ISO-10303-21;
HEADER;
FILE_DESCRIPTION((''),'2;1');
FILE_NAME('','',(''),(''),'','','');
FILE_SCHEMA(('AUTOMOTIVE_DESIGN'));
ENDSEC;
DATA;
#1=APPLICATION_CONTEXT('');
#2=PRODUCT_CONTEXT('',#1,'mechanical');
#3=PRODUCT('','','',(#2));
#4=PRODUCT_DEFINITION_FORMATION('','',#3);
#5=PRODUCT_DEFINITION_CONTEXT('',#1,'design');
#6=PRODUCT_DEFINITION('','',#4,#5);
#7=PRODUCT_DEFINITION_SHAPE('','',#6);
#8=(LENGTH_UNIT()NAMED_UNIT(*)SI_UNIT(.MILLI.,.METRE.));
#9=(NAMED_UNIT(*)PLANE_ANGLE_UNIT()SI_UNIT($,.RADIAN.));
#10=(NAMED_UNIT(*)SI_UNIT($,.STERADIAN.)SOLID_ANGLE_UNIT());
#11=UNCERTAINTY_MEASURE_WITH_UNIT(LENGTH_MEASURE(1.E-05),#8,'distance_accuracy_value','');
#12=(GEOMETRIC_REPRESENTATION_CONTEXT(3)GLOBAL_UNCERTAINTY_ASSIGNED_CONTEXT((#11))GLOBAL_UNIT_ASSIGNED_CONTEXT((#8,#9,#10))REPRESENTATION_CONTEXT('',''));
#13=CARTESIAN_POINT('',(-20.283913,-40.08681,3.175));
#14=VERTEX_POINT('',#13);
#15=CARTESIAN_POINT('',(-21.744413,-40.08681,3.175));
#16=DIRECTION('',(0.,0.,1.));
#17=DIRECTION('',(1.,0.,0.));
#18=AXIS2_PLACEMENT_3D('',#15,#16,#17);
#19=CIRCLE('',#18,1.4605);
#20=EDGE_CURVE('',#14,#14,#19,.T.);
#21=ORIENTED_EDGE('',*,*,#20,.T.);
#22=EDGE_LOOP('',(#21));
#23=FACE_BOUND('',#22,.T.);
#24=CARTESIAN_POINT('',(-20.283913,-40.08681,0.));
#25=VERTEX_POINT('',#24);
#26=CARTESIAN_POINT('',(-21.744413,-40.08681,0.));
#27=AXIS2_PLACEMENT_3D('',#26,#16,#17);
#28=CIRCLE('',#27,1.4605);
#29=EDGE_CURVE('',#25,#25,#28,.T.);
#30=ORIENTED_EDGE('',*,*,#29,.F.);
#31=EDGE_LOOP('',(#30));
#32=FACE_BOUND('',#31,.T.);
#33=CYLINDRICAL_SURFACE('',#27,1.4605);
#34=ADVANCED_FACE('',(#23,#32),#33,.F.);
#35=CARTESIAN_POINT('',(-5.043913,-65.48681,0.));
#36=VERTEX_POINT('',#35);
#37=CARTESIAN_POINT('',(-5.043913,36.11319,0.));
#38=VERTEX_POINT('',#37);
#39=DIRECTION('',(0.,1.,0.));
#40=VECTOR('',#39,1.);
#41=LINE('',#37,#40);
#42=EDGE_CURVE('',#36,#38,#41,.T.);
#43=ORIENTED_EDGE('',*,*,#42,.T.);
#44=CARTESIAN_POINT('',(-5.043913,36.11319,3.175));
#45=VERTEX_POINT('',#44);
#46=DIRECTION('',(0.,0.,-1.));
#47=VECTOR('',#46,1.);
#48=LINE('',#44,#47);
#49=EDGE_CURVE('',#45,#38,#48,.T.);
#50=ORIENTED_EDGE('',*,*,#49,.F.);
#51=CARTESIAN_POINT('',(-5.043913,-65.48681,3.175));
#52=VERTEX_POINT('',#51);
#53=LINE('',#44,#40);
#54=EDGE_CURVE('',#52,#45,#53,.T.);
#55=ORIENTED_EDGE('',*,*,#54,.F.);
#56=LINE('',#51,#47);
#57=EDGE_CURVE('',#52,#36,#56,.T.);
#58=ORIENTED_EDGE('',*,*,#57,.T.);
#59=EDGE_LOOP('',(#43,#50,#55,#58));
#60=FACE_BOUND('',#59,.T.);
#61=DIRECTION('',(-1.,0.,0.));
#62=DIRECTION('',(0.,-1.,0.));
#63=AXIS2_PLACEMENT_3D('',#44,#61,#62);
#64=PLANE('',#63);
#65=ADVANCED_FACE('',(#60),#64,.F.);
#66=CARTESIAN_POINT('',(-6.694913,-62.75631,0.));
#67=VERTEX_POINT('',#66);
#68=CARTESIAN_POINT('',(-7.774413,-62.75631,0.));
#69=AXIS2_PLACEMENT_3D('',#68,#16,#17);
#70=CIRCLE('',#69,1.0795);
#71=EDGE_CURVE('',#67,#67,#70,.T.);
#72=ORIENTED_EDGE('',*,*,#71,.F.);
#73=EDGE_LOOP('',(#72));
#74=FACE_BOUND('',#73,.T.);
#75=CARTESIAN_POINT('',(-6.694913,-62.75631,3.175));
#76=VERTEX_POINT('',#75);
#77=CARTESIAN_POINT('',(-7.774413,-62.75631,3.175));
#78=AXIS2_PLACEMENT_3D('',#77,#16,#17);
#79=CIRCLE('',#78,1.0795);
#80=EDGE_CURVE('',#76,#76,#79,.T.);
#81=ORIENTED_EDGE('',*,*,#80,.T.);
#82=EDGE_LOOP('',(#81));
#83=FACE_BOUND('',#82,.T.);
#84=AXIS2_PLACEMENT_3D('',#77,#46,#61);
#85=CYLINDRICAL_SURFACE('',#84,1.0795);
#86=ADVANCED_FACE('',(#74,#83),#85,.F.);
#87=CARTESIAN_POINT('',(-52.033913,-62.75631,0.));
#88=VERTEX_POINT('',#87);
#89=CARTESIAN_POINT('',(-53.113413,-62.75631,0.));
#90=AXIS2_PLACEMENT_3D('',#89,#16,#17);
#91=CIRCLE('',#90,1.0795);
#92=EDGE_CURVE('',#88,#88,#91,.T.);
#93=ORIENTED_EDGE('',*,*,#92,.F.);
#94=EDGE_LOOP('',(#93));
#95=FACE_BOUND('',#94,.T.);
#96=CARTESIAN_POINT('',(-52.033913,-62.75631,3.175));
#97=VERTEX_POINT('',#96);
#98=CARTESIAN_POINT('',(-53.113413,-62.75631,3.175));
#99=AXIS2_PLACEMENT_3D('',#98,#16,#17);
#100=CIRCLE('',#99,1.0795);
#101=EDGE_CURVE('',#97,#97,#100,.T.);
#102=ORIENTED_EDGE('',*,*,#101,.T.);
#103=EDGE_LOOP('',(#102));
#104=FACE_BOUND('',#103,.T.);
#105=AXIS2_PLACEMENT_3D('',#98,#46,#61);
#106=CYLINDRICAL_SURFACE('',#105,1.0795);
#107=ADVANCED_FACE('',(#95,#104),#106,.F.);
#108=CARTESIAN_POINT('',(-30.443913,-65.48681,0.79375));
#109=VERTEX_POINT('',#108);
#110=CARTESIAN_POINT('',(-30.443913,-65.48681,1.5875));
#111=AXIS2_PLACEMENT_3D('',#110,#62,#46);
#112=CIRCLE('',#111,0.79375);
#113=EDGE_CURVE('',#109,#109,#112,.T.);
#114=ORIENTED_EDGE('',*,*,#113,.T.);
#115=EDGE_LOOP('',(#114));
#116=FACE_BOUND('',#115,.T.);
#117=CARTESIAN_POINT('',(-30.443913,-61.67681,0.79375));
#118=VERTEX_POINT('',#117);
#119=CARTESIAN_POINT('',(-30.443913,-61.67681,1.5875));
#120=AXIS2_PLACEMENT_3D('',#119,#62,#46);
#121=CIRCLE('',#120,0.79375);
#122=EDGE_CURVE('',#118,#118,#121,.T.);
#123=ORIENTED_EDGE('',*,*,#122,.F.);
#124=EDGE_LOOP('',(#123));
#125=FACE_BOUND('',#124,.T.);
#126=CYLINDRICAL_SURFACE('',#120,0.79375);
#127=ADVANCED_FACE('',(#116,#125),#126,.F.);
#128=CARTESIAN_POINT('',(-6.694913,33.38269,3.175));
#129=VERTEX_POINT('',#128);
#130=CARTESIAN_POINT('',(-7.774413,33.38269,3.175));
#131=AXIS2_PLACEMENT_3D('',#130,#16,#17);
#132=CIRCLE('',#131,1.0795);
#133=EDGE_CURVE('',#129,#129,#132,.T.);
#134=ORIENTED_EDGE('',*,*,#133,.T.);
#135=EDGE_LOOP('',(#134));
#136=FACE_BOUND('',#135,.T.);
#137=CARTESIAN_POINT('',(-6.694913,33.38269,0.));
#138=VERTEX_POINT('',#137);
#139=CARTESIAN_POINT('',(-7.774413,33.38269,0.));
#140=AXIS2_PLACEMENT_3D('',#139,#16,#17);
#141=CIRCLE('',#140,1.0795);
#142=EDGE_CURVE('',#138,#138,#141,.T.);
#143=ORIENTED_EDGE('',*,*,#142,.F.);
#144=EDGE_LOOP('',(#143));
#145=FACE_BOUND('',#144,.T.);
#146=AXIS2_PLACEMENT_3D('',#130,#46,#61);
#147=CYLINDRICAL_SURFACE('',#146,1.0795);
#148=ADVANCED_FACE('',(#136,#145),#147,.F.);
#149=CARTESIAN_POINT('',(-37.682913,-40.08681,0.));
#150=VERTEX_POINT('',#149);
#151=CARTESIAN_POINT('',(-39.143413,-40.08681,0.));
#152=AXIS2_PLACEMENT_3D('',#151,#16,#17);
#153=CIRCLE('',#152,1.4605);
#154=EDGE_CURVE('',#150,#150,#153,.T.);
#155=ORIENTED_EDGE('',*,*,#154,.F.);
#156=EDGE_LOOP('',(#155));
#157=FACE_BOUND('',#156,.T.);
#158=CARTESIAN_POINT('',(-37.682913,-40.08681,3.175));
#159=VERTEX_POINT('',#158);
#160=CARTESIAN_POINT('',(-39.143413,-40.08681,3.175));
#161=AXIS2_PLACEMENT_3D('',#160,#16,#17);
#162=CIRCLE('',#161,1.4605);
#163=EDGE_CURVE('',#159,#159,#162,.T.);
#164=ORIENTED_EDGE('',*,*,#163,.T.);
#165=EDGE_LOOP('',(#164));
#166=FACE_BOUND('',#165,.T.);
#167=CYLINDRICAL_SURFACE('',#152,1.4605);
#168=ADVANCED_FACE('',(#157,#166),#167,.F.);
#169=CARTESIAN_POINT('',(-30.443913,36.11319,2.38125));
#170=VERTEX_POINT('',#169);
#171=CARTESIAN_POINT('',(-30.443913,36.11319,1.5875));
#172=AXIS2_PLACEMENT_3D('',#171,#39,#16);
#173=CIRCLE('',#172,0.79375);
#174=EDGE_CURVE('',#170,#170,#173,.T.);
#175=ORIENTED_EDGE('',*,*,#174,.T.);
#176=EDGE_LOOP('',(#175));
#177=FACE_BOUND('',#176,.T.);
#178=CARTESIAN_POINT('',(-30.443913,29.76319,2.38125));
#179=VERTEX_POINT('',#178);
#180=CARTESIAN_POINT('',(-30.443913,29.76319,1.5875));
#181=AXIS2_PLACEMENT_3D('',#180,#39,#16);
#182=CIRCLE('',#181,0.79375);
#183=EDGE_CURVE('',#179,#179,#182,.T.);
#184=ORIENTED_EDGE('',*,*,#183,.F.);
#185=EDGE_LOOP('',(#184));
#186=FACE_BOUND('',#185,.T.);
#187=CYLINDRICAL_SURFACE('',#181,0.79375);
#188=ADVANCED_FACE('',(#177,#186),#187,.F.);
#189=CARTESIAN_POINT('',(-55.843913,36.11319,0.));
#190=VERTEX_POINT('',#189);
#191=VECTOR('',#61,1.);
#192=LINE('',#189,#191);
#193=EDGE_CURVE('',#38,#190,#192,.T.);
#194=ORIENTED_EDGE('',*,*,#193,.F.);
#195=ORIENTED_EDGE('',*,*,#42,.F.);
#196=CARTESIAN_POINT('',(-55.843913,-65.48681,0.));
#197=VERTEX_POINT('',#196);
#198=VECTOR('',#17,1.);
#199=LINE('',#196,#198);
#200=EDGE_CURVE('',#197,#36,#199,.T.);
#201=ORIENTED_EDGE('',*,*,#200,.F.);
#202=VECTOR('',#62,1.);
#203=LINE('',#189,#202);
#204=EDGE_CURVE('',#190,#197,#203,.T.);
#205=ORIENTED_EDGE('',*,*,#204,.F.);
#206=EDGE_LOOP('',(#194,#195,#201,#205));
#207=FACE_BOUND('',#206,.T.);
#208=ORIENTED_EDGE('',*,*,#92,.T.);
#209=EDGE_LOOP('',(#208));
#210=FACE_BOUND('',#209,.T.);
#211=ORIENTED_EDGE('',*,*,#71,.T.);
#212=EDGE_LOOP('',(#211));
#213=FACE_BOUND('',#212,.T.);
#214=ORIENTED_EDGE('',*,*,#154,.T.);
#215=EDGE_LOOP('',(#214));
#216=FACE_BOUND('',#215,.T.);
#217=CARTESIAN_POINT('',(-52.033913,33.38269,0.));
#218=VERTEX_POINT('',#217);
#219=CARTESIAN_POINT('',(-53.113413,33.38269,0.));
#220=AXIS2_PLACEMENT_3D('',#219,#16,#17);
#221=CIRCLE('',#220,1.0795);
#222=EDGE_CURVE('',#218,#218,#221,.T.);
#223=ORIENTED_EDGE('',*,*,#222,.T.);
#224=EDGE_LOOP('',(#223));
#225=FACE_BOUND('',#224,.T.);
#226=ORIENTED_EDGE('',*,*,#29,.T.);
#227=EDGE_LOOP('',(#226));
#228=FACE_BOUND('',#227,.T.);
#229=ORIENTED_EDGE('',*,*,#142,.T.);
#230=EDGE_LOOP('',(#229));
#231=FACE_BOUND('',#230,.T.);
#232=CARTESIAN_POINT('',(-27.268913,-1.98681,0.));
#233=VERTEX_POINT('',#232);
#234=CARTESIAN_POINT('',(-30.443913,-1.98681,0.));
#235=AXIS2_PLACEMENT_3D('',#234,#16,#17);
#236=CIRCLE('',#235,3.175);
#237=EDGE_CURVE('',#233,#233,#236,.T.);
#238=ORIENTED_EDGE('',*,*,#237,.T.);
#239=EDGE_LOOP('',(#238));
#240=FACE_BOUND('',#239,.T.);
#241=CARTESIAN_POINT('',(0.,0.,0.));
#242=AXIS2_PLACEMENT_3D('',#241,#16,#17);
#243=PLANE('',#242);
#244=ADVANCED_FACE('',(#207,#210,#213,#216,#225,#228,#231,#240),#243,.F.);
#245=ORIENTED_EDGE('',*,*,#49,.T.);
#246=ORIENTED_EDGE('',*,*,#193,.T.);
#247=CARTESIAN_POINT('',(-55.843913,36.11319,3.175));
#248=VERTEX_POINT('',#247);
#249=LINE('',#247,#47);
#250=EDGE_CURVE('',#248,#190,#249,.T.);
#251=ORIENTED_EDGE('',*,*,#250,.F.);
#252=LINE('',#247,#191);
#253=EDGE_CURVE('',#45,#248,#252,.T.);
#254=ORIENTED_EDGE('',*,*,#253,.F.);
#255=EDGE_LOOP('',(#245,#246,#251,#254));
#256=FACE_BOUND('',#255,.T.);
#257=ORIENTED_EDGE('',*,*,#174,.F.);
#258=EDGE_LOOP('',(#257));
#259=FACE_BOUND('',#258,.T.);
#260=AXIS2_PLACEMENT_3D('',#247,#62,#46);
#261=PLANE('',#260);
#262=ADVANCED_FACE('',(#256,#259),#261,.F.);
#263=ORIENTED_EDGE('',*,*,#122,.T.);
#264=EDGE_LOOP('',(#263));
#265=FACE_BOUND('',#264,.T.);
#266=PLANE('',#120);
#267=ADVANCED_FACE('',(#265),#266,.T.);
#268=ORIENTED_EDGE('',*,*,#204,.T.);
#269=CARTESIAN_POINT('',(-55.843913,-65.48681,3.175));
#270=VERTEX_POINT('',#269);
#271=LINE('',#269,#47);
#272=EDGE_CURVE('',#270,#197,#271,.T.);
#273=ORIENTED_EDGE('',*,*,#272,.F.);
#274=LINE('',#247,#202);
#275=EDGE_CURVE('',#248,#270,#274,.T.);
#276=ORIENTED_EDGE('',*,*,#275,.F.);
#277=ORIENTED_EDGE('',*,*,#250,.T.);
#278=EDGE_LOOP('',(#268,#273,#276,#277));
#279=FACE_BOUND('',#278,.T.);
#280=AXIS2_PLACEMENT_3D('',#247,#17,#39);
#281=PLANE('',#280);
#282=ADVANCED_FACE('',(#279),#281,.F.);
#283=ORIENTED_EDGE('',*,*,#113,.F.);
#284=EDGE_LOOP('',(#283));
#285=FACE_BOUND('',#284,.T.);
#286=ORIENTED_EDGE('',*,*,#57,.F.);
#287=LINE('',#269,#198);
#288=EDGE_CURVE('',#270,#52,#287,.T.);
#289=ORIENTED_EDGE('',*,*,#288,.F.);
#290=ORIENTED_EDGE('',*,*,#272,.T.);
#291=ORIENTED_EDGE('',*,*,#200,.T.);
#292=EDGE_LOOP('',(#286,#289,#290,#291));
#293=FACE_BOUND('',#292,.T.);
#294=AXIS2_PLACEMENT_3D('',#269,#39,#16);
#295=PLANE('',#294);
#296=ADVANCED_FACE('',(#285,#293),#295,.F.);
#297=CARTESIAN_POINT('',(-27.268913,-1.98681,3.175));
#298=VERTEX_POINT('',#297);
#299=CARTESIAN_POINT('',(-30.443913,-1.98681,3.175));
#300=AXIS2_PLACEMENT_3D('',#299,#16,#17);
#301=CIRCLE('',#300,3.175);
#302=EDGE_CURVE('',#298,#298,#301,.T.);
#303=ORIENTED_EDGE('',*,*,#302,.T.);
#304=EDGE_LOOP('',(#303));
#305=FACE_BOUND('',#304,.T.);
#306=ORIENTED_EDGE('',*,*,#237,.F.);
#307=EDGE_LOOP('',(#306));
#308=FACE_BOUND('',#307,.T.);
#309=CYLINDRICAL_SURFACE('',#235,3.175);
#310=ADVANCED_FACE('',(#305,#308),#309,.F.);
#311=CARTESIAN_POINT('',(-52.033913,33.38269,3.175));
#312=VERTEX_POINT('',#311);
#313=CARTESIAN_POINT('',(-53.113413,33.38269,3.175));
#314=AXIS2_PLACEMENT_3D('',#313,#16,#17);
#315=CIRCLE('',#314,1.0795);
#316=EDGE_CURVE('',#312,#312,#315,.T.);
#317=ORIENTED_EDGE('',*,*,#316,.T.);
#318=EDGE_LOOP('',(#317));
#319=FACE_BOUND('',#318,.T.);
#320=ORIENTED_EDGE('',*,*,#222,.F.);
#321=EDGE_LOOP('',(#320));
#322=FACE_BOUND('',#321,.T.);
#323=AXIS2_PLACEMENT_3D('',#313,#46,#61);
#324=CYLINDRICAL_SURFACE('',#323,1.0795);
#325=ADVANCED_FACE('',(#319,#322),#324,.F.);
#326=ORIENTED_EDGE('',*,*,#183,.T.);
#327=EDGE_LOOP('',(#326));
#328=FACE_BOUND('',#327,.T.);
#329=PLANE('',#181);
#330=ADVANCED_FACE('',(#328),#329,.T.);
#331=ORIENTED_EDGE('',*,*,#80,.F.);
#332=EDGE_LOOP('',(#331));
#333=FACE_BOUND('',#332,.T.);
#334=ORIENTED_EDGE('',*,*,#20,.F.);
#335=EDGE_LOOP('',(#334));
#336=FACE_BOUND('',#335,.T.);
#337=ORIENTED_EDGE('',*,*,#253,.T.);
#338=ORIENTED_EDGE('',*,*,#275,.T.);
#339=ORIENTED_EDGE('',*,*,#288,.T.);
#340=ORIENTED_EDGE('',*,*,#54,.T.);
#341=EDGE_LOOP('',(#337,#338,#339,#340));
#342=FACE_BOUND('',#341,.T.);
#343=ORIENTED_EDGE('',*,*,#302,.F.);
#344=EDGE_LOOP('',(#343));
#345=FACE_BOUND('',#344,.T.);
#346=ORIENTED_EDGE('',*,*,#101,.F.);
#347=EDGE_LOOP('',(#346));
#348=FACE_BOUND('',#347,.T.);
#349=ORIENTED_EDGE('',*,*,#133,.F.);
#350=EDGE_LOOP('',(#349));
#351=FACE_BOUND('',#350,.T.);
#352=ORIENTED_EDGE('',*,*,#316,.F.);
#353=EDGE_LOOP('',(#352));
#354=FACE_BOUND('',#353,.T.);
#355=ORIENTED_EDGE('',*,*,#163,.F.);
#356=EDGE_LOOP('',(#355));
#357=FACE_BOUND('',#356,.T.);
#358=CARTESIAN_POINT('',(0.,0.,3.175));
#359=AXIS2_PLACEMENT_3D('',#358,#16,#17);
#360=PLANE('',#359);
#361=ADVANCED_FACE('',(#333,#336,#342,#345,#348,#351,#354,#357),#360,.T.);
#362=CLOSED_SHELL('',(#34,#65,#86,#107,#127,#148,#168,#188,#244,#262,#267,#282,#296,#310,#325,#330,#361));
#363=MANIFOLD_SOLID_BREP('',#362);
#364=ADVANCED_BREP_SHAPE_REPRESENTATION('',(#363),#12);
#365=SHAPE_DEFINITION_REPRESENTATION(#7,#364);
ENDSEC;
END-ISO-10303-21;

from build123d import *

# Parameters (mm, degrees)
SKETCH1_W           = 50.8
SKETCH1_H           = 101.6
SKETCH1_R           = 1.0795
BOSS_EXTRUDE1_DEPTH = 3.175
SKETCH3_R           = 0.79375
CUT_EXTRUDE1_DEPTH  = 6.35
SKETCH4_R           = 0.79375
CUT_EXTRUDE2_DEPTH  = 3.81
SKETCH5_R           = 3.175
CUT_EXTRUDE3_DEPTH  = 4.175
SKETCH6_R           = 1.4605
CUT_EXTRUDE4_DEPTH  = 4.175


with BuildPart() as part:
    # Sketch1 → Boss-Extrude1 (new body)
    with BuildSketch(Plane.XY):
        with Locations((-30.443913465, -14.686809816)):
            Rectangle(SKETCH1_W, SKETCH1_H)
        with Locations((-53.113413465, 33.382690184)):
            Circle(SKETCH1_R, mode=Mode.SUBTRACT)
        with Locations((-53.113413465, -62.756309816)):
            Circle(SKETCH1_R, mode=Mode.SUBTRACT)
        with Locations((-7.774413465, -62.756309816)):
            Circle(SKETCH1_R, mode=Mode.SUBTRACT)
        with Locations((-7.774413465, 33.382690184)):
            Circle(SKETCH1_R, mode=Mode.SUBTRACT)
    extrude(amount=BOSS_EXTRUDE1_DEPTH)

    # Sketch3 → Cut-Extrude1 (cut)
    with BuildSketch(Plane(origin=(0, 36.113190184, 0), x_dir=(1, 0, 0), z_dir=(0, 1, 0))):
        with Locations(Location((-30.443913465, -1.5875, 0), (0, 0, 270))):  # turned: the seam where the file's is
            Circle(SKETCH3_R)
    extrude(amount=-CUT_EXTRUDE1_DEPTH, mode=Mode.SUBTRACT)

    # Sketch4 → Cut-Extrude2 (cut)
    with BuildSketch(Plane(origin=(0, -65.486809816, 0), x_dir=(-1, 0, 0), z_dir=(0, -1, 0))):
        with Locations(Location((30.443913465, -1.5875, 0), (0, 0, 270))):  # turned: the seam where the file's is
            Circle(SKETCH4_R)
    extrude(amount=-CUT_EXTRUDE2_DEPTH, mode=Mode.SUBTRACT)

    # Sketch5 → Cut-Extrude3 (cut, through all)
    with BuildSketch(Plane.XY.offset(3.175)):
        with Locations((-30.443913465, -1.986809816)):
            Circle(SKETCH5_R)
    extrude(amount=-CUT_EXTRUDE3_DEPTH, mode=Mode.SUBTRACT)

    # Sketch6 → Cut-Extrude4 (cut, through all)
    with BuildSketch(Plane.XY.offset(3.175)):
        with Locations((-39.143413465, -40.086809816)):
            Circle(SKETCH6_R)
        with Locations((-21.744413465, -40.086809816)):
            Circle(SKETCH6_R)
    extrude(amount=-CUT_EXTRUDE4_DEPTH, mode=Mode.SUBTRACT)


solid = part.part
